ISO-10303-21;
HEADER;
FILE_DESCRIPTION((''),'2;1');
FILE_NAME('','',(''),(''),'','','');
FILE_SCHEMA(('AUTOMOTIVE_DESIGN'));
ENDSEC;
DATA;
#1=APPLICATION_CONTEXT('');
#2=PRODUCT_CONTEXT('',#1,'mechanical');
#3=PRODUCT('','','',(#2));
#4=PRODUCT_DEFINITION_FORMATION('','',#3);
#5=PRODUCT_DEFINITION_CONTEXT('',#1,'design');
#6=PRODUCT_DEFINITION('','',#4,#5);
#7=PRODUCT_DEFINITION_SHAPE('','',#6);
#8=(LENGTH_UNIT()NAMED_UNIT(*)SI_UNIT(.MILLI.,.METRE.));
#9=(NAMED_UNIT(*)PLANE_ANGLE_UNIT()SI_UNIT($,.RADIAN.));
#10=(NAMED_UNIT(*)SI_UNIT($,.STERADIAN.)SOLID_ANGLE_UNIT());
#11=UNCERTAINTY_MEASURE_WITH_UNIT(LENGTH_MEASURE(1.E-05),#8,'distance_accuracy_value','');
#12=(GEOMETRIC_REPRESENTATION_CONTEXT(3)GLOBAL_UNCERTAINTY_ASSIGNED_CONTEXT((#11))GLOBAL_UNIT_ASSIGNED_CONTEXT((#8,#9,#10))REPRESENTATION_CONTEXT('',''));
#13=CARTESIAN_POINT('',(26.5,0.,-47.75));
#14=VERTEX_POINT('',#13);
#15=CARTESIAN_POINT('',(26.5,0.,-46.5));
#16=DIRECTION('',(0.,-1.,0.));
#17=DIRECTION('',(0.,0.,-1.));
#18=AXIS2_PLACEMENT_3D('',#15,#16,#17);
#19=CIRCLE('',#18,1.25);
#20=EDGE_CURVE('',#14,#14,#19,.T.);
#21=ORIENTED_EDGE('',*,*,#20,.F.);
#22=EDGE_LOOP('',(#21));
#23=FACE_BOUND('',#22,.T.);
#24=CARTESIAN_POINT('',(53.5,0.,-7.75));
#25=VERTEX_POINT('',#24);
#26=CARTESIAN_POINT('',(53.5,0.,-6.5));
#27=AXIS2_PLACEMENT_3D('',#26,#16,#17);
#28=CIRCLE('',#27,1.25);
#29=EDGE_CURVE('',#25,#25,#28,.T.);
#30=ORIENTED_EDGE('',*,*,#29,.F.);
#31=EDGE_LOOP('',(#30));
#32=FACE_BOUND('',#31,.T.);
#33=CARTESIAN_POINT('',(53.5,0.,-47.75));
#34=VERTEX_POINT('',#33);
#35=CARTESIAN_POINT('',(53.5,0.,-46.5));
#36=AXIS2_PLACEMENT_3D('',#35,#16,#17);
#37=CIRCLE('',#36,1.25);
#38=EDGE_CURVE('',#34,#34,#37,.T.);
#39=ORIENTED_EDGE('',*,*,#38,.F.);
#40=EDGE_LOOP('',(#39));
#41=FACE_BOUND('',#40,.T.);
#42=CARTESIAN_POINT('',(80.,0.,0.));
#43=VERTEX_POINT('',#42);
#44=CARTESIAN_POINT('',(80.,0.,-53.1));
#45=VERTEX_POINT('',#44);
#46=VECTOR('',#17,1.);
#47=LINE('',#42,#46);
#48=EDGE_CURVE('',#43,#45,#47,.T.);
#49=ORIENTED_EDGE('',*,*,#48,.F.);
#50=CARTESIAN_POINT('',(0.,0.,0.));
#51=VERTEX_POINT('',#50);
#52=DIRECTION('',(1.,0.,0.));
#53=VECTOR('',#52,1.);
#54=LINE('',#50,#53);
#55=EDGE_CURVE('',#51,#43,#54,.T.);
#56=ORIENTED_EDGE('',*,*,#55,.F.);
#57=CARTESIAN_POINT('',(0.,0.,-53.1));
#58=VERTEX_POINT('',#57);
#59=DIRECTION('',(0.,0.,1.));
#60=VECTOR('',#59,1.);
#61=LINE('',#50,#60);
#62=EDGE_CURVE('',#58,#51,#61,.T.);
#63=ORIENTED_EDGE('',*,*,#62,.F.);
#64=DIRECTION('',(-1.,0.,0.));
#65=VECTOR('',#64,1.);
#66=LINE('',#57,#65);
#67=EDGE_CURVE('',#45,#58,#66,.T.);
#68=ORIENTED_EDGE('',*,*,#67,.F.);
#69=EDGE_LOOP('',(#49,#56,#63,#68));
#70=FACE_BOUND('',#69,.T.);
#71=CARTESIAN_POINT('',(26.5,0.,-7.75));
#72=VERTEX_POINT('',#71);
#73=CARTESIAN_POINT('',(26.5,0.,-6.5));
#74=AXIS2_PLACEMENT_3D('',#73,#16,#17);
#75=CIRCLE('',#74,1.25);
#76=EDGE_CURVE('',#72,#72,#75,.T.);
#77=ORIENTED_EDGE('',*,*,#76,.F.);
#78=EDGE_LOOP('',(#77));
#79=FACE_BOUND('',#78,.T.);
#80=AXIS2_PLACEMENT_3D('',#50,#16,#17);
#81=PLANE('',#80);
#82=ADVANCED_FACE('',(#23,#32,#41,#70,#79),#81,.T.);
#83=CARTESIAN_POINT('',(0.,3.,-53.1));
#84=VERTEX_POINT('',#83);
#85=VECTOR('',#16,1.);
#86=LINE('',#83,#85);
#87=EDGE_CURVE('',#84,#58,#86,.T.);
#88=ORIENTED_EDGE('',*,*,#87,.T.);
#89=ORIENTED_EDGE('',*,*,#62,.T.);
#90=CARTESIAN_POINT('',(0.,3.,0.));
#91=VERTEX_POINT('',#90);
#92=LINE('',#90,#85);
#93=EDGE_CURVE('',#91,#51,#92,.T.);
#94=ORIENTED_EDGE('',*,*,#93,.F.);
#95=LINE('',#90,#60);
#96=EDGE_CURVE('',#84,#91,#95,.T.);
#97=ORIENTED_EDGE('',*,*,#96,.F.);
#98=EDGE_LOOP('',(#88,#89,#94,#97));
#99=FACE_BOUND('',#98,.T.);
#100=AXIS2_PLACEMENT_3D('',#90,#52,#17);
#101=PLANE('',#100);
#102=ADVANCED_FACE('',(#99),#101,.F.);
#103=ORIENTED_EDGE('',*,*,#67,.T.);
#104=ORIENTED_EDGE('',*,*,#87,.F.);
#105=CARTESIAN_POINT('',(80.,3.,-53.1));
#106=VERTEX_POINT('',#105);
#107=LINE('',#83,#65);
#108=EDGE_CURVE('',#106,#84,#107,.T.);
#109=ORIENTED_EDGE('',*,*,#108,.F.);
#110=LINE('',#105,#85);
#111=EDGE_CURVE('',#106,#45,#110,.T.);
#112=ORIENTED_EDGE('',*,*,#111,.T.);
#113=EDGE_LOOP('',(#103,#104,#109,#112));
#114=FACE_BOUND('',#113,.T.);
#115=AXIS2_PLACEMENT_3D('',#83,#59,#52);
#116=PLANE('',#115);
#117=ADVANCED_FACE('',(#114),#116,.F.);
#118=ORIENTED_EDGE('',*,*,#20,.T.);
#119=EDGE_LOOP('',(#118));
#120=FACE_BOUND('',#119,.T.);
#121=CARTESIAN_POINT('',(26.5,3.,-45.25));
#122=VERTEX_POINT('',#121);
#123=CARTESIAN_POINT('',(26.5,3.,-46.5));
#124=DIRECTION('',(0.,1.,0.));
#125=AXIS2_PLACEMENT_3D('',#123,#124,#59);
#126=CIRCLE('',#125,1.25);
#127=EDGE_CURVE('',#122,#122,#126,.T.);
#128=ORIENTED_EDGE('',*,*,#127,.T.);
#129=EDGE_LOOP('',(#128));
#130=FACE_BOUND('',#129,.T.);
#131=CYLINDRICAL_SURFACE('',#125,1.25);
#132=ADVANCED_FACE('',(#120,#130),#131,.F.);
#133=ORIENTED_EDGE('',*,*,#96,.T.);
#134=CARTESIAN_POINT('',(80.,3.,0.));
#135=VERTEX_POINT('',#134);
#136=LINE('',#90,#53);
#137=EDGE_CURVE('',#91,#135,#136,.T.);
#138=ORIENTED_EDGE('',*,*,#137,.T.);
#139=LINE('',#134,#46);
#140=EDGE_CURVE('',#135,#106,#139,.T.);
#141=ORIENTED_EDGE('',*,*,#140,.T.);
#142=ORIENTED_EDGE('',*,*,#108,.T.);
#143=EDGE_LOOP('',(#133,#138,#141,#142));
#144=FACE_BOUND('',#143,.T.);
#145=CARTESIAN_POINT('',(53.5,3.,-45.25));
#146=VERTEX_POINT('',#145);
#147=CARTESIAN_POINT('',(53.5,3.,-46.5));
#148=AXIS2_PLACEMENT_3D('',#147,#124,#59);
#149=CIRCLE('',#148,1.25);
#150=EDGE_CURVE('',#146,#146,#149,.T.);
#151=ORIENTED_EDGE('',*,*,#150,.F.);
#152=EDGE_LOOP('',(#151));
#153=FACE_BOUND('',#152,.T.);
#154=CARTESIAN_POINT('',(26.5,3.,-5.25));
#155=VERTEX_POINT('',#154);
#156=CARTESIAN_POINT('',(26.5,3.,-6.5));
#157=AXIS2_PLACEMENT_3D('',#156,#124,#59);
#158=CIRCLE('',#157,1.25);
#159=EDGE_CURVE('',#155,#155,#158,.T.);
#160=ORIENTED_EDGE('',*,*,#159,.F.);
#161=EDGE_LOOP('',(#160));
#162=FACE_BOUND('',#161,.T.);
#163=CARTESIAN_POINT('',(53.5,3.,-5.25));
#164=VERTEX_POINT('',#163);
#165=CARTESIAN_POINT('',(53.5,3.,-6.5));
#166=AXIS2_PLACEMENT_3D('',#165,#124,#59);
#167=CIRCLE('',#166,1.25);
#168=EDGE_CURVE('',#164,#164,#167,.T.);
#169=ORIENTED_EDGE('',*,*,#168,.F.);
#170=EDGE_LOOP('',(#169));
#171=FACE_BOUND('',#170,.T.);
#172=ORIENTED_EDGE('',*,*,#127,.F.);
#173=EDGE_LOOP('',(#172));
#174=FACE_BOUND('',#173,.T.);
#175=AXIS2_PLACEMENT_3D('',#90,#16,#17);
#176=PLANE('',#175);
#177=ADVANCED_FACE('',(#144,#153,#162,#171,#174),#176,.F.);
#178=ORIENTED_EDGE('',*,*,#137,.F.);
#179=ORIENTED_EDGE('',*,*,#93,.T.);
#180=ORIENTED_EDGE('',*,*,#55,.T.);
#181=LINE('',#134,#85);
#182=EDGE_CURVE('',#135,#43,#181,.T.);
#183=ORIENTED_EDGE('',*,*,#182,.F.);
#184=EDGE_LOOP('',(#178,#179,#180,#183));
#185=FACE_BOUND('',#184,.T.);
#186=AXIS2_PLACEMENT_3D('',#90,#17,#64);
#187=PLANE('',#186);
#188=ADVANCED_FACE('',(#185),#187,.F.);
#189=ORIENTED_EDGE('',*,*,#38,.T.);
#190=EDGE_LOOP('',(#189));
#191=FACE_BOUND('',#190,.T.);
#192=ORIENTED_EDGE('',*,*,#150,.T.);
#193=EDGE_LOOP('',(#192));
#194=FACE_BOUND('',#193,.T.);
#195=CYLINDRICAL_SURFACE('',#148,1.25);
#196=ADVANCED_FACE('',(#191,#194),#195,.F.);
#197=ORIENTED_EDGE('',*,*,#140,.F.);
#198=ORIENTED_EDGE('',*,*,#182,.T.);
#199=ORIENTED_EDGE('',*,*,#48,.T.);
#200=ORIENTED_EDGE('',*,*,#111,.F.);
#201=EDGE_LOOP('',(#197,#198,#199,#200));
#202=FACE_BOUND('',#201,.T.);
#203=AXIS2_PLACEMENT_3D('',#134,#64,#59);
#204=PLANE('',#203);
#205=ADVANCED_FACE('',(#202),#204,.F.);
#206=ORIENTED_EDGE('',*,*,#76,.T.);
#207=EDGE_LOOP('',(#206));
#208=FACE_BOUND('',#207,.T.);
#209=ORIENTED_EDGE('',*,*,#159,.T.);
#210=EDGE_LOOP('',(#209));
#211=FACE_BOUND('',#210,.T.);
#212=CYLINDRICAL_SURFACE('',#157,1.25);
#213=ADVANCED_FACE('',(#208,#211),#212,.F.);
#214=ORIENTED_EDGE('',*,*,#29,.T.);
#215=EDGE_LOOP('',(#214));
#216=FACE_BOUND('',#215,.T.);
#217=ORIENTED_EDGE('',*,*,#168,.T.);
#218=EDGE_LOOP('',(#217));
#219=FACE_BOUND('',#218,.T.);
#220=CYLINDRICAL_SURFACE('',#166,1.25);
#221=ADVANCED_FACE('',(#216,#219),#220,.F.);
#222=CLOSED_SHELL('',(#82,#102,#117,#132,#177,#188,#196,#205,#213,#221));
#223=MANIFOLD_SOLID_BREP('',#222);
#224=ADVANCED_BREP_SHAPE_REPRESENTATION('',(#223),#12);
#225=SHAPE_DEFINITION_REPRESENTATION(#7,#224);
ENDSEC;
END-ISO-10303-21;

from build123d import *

# Parameters (mm, degrees)
SKIZZE7_W                       = 80
SKIZZE7_H                       = 53.1
AUFSATZ_LINEAR_AUSTRAGEN2_DEPTH = 3
M3_GEWINDEBOHRUNG2_D            = 2.5


with BuildPart() as part:
    # Skizze7 → Aufsatz-Linear austragen2 (new body)
    with BuildSketch(Plane(origin=(0, 0, 0), x_dir=(1, 0, 0), z_dir=(0, 1, 0))):
        with Locations((40, 26.55)):
            Rectangle(SKIZZE7_W, SKIZZE7_H)
    extrude(amount=AUFSATZ_LINEAR_AUSTRAGEN2_DEPTH)

    # M3 Gewindebohrung2 (through all)
    with Locations(Plane(origin=(0, 3, 0), x_dir=(1, 0, 0), z_dir=(0, 1, 0))):
        with Locations((26.5, 6.5), (26.5, 46.5), (53.5, 46.5), (53.5, 6.5)):
            Hole(M3_GEWINDEBOHRUNG2_D / 2)


solid = part.part
